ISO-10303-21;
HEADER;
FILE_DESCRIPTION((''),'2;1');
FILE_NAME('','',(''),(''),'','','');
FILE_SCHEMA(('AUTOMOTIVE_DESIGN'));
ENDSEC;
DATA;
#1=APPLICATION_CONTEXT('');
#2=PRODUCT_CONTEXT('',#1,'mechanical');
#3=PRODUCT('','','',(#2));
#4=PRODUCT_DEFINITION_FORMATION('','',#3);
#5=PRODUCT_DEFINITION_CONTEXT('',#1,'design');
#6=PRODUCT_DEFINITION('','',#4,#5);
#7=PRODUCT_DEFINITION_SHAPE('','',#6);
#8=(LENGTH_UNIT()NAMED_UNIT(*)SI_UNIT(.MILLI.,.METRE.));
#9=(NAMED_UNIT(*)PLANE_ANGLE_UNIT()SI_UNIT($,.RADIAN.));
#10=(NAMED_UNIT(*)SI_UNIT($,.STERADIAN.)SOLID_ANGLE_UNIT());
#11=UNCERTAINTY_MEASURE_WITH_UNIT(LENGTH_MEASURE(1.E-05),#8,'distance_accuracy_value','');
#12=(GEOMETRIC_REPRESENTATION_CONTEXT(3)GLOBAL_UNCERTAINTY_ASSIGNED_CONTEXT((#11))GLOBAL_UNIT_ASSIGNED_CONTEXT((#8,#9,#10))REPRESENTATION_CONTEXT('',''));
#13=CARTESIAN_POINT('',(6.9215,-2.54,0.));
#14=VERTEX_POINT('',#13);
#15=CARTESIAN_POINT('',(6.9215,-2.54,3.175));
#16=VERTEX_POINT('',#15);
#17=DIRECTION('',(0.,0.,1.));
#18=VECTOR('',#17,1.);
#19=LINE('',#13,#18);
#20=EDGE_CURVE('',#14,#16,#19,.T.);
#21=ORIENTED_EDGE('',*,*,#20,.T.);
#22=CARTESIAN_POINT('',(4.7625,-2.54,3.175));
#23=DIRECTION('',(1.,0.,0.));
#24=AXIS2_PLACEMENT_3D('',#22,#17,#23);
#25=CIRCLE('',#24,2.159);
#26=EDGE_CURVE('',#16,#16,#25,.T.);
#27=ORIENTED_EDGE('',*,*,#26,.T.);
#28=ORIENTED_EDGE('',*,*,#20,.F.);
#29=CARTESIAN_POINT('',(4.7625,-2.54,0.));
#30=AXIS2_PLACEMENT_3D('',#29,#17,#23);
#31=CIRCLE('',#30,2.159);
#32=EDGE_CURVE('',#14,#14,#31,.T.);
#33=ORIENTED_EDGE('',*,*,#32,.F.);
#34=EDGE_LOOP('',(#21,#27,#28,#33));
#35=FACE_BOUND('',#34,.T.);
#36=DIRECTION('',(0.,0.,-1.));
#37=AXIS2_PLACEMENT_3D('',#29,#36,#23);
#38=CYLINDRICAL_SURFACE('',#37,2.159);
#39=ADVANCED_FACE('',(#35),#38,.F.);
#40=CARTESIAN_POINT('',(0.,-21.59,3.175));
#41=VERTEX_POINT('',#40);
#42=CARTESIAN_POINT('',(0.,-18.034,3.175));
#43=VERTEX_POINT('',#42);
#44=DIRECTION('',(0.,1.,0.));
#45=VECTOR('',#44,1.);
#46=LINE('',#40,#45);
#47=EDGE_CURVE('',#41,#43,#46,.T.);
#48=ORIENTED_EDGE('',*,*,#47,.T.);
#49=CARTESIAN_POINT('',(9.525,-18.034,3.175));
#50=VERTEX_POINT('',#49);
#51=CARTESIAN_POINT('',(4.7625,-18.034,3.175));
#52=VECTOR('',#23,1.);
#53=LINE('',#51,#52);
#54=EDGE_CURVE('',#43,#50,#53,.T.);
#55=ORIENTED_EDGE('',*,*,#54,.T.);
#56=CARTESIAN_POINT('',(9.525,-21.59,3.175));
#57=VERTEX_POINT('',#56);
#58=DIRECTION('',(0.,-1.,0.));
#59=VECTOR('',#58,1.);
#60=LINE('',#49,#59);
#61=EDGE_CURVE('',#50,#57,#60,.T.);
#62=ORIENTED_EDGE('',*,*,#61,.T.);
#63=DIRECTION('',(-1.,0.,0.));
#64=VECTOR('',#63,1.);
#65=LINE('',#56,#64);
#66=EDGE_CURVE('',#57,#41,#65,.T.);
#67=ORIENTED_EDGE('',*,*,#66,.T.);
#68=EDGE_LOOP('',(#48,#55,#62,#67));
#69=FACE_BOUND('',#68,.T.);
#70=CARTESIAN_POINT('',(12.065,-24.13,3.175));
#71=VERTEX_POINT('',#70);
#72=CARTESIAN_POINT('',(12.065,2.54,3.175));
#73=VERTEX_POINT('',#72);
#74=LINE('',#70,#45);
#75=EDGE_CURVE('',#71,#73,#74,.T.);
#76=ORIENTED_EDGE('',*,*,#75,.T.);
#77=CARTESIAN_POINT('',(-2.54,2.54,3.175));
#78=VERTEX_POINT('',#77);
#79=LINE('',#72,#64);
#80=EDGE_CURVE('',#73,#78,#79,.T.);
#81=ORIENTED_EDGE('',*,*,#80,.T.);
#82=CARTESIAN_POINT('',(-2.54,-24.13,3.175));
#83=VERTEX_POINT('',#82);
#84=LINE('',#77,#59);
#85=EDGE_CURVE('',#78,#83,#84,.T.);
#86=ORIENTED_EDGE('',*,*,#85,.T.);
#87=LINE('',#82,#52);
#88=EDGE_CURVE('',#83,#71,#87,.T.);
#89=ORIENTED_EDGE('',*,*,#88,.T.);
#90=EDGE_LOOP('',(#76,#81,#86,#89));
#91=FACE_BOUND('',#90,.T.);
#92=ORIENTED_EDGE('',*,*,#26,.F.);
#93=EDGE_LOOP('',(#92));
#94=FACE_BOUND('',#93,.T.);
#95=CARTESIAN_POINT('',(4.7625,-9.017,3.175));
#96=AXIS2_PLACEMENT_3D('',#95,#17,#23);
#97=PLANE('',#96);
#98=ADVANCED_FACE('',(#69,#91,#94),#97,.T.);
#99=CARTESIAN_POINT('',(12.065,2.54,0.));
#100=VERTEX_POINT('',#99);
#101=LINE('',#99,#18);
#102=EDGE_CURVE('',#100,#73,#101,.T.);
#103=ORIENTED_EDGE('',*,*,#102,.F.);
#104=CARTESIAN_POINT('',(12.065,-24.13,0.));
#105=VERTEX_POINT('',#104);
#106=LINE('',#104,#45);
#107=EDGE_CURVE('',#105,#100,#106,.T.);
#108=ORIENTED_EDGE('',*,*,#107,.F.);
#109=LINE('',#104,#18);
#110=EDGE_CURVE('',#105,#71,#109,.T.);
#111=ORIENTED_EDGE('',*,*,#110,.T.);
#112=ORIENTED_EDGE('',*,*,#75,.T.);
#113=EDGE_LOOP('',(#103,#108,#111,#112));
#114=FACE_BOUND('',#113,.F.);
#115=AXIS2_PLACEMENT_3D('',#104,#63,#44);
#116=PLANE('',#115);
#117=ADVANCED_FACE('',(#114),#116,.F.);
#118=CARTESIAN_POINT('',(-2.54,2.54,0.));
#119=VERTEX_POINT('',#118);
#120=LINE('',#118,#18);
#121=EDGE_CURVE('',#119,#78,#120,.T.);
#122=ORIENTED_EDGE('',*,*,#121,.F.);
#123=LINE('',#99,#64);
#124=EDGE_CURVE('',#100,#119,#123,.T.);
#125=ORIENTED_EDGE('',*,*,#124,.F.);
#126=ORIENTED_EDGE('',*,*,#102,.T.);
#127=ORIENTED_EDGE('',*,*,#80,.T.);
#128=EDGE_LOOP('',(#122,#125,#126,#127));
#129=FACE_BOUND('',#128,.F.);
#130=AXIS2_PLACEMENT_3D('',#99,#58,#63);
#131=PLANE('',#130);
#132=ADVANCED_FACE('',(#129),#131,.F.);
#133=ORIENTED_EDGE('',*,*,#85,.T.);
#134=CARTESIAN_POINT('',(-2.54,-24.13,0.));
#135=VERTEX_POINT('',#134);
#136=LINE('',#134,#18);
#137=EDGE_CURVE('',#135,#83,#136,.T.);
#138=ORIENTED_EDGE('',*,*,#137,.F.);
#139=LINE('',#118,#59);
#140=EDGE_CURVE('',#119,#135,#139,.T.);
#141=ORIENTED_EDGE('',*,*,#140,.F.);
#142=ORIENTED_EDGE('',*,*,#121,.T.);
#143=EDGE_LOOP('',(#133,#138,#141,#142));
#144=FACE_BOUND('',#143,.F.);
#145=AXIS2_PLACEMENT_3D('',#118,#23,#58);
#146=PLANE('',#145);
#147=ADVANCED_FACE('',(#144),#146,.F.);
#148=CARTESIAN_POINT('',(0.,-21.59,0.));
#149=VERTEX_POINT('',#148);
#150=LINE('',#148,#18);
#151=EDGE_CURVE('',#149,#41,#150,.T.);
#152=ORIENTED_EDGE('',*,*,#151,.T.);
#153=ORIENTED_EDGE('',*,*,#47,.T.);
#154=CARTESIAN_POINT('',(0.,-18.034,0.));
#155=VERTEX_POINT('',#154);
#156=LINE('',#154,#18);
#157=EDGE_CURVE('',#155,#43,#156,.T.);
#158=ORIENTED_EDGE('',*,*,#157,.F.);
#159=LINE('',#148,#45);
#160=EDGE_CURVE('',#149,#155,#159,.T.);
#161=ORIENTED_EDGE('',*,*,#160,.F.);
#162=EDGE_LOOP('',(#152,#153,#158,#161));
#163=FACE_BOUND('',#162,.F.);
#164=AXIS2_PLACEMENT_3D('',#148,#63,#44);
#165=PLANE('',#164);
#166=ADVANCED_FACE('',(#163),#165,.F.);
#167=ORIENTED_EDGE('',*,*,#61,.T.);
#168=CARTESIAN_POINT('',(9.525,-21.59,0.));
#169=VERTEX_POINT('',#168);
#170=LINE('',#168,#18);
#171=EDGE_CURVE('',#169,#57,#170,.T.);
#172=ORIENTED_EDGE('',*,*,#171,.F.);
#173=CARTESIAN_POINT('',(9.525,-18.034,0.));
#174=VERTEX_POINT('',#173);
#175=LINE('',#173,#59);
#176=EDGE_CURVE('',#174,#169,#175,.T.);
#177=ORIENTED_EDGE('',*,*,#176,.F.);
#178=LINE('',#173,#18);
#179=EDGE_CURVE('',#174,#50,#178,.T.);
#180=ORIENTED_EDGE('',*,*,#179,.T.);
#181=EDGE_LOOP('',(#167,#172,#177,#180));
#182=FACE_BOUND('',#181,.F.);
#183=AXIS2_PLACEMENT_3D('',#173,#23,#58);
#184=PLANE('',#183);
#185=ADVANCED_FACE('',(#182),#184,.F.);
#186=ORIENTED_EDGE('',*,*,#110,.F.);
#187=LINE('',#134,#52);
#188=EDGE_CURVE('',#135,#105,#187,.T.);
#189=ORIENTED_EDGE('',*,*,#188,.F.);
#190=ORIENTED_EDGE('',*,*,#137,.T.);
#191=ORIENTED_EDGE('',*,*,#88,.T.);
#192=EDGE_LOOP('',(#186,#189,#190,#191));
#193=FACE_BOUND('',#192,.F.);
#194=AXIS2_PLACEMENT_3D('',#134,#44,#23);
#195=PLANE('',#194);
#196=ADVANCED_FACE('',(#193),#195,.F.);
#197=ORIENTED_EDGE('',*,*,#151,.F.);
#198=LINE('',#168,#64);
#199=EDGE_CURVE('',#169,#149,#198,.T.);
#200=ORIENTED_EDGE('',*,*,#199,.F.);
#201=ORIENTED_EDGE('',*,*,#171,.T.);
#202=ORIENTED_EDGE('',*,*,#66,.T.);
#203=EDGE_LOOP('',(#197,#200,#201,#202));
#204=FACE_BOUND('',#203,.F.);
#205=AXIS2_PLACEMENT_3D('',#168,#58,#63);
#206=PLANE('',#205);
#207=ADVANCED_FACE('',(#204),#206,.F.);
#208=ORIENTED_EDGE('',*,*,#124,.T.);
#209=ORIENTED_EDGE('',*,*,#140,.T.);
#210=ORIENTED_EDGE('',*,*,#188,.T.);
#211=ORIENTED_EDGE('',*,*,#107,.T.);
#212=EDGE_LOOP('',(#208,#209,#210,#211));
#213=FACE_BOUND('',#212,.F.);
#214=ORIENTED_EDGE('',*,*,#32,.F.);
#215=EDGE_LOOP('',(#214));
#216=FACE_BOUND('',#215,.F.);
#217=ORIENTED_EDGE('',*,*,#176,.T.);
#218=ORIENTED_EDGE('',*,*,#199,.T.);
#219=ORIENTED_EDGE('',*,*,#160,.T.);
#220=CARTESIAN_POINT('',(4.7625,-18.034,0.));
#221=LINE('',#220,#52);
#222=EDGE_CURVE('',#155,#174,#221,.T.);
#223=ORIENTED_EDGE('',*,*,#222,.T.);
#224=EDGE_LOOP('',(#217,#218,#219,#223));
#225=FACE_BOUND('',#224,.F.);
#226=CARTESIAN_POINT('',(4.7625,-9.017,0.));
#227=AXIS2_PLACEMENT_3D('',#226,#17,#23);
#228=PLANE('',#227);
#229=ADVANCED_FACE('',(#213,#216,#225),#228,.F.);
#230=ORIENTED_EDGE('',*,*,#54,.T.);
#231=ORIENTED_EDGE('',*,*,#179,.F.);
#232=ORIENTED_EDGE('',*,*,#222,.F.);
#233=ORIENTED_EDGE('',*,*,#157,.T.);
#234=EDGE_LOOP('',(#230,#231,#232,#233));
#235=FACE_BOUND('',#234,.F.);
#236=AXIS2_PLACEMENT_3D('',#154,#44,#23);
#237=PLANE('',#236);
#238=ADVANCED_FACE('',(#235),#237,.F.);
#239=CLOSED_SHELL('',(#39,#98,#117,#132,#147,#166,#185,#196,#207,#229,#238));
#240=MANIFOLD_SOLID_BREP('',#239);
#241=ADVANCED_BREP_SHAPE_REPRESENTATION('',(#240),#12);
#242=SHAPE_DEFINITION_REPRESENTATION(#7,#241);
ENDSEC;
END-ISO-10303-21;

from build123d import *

# Parameters (mm, degrees)
F0_W     = 9.525
F0_H     = 18.034
F0_R     = 2.159
F1_DEPTH = 3.175


with BuildPart() as f1:
    # F0 (on Top) → F1 (new body)
    with BuildSketch(Plane.XY):
        with Locations((4.7625, -9.017)):
            Rectangle(F0_W, F0_H)
        with Locations((4.7625, -2.54)):
            Circle(F0_R, mode=Mode.SUBTRACT)
        Polygon((0, -18.034), (0, 0), (-2.54, 0), (-2.54, -21.59), (0, -21.59), align=None)
        Polygon((12.065, 0), (9.525, 0), (9.525, -18.034), (9.525, -21.59), (12.065, -21.59), align=None)
        Polygon((-2.54, 0), (0, 0), (9.525, 0), (12.065, 0), (12.065, 2.54), (-2.54, 2.54), align=None)
        Polygon((9.525, -21.59), (0, -21.59), (-2.54, -21.59), (-2.54, -24.13), (12.065, -24.13), (12.065, -21.59), align=None)
    extrude(amount=F1_DEPTH)


solid = f1.part
